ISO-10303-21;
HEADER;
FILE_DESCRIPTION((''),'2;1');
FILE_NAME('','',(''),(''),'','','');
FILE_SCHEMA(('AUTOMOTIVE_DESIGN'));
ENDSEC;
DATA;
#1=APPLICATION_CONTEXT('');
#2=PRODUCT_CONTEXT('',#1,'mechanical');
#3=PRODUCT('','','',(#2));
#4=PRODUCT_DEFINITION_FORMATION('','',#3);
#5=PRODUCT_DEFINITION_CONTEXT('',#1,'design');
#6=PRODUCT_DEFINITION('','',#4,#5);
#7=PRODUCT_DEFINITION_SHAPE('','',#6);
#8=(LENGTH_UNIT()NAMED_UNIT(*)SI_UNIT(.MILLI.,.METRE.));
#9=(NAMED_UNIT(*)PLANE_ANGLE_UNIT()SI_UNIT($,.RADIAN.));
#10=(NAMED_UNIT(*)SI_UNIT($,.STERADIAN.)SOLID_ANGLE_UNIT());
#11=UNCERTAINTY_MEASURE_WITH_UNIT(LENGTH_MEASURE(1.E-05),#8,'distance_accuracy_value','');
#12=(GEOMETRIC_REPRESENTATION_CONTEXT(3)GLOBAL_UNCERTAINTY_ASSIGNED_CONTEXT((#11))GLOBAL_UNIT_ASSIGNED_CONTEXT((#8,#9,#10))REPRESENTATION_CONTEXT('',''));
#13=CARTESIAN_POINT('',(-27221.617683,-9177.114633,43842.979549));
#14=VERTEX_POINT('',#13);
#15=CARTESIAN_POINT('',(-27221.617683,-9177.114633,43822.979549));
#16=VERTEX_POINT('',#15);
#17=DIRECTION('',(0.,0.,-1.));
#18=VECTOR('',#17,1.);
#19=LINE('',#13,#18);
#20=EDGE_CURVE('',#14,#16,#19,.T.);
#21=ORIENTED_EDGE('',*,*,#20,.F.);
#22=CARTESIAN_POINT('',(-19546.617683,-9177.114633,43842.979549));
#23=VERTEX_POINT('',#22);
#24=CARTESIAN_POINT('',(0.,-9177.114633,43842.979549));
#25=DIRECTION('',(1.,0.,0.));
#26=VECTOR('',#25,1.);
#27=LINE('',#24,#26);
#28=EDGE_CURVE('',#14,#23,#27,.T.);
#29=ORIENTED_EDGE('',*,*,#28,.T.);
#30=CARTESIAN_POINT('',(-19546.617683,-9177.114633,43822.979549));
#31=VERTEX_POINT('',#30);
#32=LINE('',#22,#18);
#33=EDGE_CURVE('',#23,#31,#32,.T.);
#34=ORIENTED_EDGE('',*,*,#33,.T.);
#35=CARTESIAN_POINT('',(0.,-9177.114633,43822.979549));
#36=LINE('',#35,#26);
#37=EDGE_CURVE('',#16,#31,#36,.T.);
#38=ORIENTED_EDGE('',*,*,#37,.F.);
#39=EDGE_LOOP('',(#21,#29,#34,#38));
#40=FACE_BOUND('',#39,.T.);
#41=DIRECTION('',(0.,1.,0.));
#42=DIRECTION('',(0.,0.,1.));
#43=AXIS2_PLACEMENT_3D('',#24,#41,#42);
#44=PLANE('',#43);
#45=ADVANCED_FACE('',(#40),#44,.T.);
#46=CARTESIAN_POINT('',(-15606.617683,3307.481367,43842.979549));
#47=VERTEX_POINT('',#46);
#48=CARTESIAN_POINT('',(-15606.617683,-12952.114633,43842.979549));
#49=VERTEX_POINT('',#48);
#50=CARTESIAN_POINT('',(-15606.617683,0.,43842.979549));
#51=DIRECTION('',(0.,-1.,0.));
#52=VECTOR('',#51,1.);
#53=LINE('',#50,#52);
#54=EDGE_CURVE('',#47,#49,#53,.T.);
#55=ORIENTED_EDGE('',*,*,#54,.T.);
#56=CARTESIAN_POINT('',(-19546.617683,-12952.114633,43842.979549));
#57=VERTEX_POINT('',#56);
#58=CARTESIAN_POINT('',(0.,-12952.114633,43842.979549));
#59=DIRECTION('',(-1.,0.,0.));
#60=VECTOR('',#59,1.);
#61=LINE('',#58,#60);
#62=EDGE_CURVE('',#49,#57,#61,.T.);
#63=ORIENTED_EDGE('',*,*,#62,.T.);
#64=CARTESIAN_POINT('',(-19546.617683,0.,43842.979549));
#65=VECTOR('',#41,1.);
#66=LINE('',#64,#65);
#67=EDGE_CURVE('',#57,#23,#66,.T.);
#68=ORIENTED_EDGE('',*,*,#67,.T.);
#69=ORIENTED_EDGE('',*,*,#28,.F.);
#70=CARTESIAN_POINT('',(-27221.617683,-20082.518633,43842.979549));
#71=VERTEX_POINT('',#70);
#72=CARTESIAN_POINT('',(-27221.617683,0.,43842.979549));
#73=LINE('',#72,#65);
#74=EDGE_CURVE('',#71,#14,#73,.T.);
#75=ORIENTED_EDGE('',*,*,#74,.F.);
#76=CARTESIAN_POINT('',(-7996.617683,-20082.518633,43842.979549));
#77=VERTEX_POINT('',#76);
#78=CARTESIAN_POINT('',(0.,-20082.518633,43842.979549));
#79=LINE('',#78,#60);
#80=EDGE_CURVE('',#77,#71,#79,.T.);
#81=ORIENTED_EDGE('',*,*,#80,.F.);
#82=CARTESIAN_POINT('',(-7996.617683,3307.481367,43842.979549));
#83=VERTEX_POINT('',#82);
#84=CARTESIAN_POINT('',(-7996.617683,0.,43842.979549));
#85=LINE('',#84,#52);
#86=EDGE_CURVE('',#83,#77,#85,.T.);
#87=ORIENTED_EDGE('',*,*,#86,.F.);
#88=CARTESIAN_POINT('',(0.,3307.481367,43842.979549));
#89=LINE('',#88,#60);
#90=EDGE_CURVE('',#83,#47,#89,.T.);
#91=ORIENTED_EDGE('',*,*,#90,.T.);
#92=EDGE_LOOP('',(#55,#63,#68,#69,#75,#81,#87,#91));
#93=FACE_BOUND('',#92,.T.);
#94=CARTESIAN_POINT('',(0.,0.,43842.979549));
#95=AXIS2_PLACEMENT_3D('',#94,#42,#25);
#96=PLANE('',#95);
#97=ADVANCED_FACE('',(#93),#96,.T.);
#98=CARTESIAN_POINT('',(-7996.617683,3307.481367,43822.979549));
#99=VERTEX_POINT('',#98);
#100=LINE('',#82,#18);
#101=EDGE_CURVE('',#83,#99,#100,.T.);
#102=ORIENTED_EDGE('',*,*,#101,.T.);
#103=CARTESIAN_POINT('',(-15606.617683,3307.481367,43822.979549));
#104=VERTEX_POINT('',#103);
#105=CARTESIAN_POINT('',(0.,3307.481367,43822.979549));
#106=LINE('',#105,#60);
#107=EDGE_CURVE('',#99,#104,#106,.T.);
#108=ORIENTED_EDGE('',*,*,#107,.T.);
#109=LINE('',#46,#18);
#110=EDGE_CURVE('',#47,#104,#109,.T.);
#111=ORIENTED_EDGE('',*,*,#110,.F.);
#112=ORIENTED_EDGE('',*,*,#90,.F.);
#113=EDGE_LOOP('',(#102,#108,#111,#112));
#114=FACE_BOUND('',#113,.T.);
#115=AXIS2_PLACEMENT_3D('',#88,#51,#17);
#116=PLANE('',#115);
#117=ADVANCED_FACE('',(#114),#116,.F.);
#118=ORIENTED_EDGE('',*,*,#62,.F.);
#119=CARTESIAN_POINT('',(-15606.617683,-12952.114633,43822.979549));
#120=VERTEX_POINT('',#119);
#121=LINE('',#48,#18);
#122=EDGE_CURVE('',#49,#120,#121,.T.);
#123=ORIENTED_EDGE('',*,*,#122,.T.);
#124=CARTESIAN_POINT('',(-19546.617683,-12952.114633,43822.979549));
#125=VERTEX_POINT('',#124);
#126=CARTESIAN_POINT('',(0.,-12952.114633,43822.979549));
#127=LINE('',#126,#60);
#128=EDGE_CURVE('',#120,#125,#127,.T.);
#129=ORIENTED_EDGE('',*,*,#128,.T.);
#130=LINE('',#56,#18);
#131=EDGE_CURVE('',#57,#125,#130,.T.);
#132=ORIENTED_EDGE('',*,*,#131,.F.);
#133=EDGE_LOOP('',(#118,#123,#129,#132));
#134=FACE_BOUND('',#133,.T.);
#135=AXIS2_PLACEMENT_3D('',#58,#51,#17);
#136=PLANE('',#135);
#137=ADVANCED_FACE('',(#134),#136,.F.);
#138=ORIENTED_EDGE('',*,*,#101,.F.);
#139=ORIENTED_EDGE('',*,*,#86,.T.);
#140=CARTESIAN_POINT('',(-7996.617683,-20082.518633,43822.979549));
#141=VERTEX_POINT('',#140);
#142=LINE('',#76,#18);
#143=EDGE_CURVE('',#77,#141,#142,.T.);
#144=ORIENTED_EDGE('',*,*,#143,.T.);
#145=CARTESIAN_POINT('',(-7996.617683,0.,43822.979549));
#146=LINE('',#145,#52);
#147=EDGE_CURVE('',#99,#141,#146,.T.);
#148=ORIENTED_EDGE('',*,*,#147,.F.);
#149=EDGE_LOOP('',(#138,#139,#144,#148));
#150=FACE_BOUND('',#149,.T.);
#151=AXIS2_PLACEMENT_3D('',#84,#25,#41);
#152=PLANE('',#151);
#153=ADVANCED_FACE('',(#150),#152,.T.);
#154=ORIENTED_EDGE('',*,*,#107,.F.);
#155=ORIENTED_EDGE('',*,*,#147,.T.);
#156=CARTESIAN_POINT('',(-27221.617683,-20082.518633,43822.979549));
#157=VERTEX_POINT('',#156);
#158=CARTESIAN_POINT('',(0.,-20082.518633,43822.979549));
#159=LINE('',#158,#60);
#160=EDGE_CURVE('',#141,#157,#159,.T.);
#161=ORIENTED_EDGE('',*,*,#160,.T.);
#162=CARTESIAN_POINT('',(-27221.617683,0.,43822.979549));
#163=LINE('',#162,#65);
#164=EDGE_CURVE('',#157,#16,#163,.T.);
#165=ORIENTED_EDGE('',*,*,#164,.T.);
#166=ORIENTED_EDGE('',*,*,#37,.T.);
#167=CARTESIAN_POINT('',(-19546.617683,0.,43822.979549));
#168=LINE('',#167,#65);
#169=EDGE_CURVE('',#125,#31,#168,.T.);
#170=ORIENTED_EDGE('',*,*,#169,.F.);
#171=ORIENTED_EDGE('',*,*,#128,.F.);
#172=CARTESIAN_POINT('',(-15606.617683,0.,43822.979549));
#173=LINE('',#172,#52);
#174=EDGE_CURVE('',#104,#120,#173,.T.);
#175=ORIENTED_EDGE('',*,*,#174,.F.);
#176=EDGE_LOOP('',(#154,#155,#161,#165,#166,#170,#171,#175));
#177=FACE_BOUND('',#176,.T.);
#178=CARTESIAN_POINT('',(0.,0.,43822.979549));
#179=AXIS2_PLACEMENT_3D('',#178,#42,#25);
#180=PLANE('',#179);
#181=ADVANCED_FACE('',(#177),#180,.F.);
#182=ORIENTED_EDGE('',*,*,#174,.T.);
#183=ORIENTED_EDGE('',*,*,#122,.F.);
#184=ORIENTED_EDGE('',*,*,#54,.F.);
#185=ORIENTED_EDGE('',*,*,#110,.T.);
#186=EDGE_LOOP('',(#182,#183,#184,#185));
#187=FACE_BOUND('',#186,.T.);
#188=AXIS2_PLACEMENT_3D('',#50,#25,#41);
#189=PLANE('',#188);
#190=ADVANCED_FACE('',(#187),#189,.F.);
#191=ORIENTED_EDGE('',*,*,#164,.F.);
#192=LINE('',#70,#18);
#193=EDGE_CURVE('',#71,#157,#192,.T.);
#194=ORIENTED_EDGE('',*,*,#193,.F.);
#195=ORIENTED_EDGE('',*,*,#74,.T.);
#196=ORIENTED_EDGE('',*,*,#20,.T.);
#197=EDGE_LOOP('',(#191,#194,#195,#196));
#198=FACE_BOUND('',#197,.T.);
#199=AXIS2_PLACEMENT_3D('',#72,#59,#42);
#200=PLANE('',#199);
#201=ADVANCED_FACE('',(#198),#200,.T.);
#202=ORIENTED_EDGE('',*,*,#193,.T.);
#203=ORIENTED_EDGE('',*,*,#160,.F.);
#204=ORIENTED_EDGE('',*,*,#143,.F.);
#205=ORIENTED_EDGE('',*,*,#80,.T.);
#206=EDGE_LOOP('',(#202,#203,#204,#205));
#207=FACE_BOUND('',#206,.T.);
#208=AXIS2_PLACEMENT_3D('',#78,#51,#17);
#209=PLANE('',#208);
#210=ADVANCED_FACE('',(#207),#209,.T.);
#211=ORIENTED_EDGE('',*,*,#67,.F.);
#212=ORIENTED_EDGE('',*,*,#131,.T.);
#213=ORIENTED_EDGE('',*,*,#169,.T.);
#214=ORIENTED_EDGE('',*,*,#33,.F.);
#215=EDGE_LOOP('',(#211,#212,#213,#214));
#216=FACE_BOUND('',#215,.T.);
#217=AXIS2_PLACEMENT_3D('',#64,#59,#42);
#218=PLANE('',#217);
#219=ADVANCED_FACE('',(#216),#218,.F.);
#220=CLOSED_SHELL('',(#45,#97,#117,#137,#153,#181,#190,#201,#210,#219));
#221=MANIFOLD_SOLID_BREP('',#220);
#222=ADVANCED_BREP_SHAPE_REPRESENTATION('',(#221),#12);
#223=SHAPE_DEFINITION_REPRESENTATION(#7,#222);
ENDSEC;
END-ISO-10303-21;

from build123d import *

# Parameters (mm, degrees)
SKETCH1_W           = 7610
SKETCH1_H           = 23390
BOSS_EXTRUDE1_DEPTH = 20


with BuildPart() as part:
    # Sketch1 → Boss-Extrude1 (new body)
    with BuildSketch(Plane.XY.offset(43822.979549141)):
        with Locations((-11801.617683291, -8387.518633414)):
            Rectangle(SKETCH1_W, SKETCH1_H)
        Polygon((-15606.617683291, -20082.518633414), (-15606.617683291, -12952.114633414), (-19546.617683291, -12952.114633414), (-27221.617683291, -12952.114633414), (-27221.617683291, -20082.518633414), align=None)
        Polygon((-27221.617683291, -12952.114633414), (-19546.617683291, -12952.114633414), (-19546.617683291, -12882.518633414), (-19546.617683291, -9177.114633414), (-27221.617683291, -9177.114633414), align=None)
    extrude(amount=BOSS_EXTRUDE1_DEPTH)


solid = part.part
